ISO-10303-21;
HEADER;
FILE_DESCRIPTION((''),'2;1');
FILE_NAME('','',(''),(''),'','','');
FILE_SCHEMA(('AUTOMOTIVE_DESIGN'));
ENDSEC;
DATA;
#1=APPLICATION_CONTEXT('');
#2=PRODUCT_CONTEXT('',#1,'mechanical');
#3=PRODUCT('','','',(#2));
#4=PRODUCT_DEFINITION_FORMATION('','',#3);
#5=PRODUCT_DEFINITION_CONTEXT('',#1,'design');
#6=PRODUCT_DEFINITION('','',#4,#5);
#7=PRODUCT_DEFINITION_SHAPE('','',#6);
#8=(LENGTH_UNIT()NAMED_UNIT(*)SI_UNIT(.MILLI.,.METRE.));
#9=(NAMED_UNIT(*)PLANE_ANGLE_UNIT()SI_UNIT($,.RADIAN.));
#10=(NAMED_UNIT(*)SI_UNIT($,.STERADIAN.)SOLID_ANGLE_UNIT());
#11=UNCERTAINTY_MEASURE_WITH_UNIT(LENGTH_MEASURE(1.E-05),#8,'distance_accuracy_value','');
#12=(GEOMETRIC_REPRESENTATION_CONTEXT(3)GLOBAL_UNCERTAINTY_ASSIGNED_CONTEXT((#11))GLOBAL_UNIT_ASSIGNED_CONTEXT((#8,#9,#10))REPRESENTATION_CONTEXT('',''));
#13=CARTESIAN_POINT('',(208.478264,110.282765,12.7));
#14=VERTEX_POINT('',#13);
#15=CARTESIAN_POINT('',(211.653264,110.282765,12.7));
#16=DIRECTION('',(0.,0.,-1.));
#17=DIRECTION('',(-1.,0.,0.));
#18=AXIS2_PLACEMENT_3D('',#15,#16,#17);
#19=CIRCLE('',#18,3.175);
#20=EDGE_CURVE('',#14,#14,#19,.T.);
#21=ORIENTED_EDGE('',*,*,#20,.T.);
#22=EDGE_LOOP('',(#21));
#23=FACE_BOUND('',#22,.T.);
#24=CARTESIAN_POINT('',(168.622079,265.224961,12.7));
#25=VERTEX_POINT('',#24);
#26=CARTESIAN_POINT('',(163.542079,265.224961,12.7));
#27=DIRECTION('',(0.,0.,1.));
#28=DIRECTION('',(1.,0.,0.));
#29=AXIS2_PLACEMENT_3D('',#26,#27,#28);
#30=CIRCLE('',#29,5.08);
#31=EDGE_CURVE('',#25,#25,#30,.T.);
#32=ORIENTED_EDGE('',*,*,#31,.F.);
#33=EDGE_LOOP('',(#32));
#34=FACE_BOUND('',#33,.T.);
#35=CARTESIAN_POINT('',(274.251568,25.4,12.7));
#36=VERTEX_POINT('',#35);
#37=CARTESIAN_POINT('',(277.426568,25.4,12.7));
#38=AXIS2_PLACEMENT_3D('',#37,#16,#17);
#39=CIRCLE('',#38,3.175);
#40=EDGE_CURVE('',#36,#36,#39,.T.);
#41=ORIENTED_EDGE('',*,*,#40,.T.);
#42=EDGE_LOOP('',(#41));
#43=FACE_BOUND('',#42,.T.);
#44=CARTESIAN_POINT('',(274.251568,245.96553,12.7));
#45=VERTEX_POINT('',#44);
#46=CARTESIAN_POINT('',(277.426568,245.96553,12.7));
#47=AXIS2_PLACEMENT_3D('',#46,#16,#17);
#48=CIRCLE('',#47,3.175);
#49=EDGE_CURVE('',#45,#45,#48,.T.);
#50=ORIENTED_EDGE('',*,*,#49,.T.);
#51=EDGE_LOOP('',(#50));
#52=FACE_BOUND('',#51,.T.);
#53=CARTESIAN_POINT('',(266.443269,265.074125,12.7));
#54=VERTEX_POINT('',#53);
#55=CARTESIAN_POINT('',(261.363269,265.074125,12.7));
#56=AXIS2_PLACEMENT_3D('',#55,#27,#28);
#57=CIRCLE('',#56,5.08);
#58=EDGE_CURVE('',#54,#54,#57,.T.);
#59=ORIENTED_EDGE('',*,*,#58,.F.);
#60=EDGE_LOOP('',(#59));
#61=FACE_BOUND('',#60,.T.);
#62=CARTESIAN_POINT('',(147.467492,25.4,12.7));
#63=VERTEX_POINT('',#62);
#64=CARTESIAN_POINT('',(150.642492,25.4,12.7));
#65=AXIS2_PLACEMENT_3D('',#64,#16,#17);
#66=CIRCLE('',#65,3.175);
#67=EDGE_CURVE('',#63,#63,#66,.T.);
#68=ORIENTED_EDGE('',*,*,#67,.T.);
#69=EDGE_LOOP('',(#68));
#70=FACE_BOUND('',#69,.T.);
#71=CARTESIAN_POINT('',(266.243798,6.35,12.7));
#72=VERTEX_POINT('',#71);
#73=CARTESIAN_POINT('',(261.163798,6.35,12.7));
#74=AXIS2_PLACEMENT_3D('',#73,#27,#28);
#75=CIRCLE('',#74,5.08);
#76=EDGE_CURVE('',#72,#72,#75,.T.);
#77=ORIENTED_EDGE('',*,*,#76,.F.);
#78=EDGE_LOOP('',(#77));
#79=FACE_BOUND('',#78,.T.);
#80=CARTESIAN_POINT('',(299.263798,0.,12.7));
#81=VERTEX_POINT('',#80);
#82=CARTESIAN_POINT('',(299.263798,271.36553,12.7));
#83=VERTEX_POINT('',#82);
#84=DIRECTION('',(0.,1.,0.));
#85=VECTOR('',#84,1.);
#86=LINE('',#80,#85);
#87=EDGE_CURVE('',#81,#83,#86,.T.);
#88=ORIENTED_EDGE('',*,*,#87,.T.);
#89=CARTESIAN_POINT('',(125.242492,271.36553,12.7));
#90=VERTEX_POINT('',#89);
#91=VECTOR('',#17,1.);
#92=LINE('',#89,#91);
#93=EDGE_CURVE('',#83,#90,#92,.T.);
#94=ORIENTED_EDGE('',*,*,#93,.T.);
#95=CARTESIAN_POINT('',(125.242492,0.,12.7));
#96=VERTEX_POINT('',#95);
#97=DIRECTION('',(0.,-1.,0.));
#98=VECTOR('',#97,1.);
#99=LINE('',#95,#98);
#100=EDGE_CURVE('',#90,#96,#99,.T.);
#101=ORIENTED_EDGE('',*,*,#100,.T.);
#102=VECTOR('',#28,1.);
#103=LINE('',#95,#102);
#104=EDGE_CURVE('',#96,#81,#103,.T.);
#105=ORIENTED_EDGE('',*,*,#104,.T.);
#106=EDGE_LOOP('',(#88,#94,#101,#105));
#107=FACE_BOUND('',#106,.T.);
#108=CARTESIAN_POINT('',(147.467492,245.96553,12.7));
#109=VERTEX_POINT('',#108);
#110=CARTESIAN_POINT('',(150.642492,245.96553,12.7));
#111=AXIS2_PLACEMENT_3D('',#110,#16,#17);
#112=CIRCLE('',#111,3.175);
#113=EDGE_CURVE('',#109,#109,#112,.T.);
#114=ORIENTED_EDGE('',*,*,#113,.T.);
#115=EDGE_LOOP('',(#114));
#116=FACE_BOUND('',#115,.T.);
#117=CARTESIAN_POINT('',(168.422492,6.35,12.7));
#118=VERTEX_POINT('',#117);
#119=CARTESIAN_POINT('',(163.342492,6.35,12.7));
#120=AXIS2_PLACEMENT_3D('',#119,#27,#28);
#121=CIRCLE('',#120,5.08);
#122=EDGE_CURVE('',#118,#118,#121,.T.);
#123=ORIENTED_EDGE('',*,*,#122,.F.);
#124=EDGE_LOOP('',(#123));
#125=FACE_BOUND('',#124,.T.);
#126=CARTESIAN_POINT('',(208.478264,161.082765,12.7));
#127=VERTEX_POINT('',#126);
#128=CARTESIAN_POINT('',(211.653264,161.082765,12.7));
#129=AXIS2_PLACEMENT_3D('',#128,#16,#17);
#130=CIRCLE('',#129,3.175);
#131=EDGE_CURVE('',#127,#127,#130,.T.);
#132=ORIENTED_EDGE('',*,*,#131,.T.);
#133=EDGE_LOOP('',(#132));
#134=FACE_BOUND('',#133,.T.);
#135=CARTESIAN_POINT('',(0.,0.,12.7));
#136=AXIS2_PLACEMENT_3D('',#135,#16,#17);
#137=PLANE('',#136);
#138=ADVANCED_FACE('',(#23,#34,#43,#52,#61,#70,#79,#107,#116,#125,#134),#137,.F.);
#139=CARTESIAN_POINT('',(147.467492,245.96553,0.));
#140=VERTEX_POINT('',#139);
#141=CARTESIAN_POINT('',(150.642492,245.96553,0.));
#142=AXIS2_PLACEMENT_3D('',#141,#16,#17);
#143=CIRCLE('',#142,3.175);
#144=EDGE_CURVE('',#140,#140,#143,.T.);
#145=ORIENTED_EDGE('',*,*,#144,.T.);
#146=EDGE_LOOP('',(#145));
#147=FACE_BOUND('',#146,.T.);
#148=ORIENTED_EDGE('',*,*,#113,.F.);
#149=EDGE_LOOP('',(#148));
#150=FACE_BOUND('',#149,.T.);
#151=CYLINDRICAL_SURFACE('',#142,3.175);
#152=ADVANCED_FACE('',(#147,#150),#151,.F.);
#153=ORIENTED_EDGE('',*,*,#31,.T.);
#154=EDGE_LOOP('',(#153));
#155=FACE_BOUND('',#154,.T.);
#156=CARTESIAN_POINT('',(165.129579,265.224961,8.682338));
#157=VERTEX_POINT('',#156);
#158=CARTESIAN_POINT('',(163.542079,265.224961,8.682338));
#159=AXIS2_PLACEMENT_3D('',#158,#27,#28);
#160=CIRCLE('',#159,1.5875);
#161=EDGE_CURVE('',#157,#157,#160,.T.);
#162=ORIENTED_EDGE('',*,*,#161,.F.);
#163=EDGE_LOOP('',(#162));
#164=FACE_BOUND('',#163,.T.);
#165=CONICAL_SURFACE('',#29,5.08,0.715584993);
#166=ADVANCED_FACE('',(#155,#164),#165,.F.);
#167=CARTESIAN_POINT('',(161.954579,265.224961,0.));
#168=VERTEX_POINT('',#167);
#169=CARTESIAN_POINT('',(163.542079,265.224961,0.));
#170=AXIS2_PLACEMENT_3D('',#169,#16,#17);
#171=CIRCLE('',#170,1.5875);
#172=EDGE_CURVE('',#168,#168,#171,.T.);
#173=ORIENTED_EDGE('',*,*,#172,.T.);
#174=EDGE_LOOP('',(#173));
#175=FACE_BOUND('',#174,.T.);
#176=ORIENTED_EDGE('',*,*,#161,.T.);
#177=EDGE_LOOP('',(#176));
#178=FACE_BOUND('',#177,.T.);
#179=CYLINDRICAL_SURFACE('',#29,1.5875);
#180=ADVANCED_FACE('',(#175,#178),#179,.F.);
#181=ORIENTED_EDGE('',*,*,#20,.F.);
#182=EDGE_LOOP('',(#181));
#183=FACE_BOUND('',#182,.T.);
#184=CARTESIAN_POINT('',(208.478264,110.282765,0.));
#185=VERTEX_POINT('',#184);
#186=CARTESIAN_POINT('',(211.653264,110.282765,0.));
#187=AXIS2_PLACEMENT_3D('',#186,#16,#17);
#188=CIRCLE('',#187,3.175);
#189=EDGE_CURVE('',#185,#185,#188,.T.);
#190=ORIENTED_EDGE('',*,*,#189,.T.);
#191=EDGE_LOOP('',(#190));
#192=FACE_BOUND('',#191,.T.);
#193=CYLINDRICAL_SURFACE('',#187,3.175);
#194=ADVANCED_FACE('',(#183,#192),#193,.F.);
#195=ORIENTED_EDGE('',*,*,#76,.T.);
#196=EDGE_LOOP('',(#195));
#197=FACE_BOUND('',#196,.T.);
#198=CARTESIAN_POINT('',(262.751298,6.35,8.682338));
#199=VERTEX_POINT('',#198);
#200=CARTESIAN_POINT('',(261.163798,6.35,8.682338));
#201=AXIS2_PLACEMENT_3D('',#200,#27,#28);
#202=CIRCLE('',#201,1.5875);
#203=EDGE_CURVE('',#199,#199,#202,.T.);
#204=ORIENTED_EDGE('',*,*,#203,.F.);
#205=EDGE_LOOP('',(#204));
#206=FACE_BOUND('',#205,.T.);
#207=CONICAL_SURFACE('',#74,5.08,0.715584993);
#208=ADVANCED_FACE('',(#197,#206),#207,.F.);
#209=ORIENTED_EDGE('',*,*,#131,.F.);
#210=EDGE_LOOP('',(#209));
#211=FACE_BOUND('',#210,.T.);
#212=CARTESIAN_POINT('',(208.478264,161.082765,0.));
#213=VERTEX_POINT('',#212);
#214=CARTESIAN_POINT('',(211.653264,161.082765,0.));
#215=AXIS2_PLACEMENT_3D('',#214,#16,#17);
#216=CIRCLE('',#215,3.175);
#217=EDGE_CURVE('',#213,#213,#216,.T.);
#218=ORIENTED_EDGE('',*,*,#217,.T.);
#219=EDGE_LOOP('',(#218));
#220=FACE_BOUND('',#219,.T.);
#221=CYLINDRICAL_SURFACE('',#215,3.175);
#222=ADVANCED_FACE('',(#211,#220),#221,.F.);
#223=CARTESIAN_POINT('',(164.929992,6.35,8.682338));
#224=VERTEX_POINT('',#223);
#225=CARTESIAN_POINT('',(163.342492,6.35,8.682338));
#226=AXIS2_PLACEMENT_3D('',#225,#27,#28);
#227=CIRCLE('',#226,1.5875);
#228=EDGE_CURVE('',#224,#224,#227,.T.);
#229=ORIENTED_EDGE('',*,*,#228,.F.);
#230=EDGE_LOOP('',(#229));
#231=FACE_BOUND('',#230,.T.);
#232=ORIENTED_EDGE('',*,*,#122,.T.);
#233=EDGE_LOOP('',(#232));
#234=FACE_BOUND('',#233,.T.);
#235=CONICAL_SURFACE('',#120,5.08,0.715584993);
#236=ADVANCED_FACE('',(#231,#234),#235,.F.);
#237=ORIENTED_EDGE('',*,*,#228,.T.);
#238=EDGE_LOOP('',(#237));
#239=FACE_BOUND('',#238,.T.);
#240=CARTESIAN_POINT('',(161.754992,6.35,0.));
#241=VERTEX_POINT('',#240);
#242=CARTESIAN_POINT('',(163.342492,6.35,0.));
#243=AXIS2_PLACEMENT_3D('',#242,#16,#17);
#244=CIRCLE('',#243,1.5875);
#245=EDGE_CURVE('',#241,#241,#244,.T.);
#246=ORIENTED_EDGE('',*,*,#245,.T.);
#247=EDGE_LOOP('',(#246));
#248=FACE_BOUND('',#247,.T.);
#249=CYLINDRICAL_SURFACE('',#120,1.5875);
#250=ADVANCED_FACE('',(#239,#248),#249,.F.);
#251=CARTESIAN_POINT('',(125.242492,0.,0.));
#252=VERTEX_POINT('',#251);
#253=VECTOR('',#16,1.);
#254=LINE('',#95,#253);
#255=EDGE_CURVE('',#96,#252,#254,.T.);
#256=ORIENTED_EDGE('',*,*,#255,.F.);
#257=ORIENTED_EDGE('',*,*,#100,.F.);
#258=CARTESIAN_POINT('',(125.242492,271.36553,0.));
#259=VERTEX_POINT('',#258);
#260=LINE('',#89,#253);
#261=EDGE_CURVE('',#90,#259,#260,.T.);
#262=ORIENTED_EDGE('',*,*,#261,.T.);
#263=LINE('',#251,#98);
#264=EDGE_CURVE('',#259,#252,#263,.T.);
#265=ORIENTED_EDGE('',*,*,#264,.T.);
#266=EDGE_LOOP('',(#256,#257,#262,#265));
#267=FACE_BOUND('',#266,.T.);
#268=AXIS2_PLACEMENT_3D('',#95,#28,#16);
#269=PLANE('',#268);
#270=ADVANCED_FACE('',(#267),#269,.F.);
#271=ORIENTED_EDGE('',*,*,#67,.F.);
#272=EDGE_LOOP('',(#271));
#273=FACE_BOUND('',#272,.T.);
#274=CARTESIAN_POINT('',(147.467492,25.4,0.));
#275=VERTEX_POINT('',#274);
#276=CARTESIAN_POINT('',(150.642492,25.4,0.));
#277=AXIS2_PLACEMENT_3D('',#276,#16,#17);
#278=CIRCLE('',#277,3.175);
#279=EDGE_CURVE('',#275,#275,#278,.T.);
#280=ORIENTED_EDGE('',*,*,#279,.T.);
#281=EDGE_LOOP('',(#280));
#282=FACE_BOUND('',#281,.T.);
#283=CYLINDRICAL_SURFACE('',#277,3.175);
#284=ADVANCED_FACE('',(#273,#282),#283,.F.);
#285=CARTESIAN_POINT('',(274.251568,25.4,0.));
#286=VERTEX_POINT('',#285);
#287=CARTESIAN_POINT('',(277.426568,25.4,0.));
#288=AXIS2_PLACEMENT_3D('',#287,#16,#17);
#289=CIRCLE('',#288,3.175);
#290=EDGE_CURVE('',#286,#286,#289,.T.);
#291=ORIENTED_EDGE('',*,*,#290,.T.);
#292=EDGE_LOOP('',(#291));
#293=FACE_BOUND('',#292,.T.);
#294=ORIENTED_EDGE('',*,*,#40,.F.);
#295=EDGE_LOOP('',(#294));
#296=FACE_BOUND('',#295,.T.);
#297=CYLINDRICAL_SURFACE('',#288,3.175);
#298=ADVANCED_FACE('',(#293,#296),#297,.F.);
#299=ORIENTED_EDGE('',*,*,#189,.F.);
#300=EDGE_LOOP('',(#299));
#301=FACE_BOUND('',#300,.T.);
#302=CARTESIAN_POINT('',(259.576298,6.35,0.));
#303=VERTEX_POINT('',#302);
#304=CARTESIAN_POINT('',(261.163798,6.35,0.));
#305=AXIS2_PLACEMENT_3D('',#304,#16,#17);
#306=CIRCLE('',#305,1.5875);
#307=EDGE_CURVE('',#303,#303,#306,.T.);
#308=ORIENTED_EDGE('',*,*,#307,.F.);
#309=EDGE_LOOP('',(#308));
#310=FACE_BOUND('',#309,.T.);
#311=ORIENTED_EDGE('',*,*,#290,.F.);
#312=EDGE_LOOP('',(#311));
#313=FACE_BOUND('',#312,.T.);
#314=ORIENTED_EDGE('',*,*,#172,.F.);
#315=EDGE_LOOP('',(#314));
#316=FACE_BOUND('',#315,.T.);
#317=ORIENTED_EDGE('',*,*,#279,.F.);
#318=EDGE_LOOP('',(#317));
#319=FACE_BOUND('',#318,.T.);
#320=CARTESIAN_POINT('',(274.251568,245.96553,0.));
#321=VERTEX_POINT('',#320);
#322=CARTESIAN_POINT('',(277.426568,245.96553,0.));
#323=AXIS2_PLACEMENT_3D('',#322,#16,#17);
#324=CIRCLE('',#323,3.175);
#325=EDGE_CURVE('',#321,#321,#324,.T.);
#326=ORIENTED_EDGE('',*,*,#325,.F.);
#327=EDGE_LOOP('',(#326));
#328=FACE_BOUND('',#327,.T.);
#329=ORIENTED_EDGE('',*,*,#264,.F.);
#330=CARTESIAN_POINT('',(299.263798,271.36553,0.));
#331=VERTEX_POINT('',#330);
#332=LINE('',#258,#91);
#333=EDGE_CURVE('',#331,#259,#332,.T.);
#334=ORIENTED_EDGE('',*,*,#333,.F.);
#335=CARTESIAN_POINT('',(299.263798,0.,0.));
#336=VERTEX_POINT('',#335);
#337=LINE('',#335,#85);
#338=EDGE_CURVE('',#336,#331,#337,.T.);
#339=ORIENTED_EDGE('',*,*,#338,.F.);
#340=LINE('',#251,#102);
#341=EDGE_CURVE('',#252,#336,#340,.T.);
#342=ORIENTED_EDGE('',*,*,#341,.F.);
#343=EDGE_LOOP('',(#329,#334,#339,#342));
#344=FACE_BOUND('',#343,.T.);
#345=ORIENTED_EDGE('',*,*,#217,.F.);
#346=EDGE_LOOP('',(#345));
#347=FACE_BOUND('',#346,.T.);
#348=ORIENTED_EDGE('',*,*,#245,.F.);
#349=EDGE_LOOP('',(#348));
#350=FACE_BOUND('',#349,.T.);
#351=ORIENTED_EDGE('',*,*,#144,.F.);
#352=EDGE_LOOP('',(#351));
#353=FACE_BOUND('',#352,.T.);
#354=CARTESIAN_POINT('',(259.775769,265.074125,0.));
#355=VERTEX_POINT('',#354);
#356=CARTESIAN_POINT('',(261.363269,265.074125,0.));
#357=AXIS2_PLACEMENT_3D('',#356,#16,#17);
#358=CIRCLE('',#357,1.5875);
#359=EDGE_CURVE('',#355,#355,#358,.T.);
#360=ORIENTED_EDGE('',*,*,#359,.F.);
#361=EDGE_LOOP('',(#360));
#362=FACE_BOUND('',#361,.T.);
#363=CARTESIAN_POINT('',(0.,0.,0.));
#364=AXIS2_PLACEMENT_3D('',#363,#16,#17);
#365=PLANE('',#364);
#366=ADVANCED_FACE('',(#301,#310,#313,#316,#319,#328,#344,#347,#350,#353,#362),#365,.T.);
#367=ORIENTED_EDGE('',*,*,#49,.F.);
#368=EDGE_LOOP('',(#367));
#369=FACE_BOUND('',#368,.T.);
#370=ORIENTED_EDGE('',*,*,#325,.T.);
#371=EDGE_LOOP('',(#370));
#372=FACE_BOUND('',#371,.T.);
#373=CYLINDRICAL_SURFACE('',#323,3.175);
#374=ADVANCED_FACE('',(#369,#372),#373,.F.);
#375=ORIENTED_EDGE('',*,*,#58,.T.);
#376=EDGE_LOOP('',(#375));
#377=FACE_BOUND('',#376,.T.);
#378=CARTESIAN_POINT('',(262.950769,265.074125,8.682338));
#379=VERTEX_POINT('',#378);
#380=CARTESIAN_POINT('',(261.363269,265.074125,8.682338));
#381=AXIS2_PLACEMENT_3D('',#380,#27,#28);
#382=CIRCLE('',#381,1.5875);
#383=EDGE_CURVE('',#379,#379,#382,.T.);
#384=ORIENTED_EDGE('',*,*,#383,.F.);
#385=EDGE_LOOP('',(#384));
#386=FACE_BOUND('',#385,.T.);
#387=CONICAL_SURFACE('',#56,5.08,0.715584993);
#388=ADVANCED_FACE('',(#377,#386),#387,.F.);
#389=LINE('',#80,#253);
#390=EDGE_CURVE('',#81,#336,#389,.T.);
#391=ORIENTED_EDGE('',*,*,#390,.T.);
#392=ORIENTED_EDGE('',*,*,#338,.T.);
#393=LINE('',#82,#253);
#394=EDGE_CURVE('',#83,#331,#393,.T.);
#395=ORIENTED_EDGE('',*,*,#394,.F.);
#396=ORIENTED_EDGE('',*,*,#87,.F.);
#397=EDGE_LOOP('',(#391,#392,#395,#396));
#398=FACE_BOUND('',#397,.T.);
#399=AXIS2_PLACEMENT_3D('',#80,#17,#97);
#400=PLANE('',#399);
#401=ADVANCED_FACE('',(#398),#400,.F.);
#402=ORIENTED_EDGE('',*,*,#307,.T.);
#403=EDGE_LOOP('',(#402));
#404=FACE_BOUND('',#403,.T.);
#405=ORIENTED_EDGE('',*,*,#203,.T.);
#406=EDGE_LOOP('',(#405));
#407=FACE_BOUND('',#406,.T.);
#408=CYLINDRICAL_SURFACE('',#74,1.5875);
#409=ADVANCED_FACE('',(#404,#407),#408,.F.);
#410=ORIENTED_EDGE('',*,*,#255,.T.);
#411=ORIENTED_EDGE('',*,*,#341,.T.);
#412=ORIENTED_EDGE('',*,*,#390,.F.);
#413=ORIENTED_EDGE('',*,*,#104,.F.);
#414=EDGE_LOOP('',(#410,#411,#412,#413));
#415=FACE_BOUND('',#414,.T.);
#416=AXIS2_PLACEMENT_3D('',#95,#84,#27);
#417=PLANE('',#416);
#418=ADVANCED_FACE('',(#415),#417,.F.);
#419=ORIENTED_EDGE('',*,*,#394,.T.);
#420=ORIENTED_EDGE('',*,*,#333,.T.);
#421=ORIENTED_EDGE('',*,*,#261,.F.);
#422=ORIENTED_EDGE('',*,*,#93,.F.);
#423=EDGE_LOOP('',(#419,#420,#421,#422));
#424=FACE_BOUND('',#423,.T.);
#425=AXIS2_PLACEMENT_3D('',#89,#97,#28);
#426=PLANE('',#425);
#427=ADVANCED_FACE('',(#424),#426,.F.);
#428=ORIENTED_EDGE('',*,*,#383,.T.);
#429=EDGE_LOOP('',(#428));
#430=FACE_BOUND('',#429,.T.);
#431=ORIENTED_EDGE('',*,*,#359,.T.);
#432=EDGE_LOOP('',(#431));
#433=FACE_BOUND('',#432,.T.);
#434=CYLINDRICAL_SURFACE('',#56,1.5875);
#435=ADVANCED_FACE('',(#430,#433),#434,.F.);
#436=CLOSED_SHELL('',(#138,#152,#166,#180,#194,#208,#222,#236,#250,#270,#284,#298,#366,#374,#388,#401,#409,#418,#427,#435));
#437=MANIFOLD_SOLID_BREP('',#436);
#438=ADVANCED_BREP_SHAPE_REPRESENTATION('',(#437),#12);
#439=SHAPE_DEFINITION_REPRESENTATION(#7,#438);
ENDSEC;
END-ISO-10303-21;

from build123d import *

# Parameters (mm, degrees)
SKETCH1_W                   = 174.021305966
SKETCH1_H                   = 271.365530146
BOSS_EXTRUDE1_DEPTH         = 12.7
F_1_4_0_25_DIAMETER_HOLE1_D = 6.35
HOLE1_D                     = 3.175
HOLE1_DEPTH                 = 31.75
HOLE1_CSINK_D               = 10.16
HOLE1_CSINK_ANGLE           = 82
HOLE1_TIP                   = 0.953866233


with BuildPart() as part:
    # Sketch1 → Boss-Extrude1 (new body)
    with BuildSketch(Plane.XY):
        with Locations((212.253144626, 135.682765073)):
            Rectangle(SKETCH1_W, SKETCH1_H)
    extrude(amount=BOSS_EXTRUDE1_DEPTH)

    # 1/4 (0.25) Diameter Hole1 (through all)
    with Locations(Plane(origin=(0, 0, 0), x_dir=(-1, 0, 0), z_dir=(0, 0, -1))):
        with Locations((-277.426568305, 245.965530146), (-211.653264176, 161.082765073), (-150.642491643, 245.965530146), (-211.653264176, 110.282765073), (-277.426568305, 25.4), (-150.642491643, 25.4)):
            Hole(F_1_4_0_25_DIAMETER_HOLE1_D / 2)

    # Hole1
    with Locations(Plane(origin=(-504.900458932, 135.816741379, 12.7), x_dir=(0, -1, 0), z_dir=(0, 0, 1))):
        with Locations((-129.257383629, 766.263727577), (129.466741379, 668.242950575), (129.466741379, 766.064256541), (-129.408220012, 668.442537903)):
            CounterSinkHole(HOLE1_D / 2, HOLE1_CSINK_D / 2, depth=HOLE1_DEPTH, counter_sink_angle=HOLE1_CSINK_ANGLE)
            with Locations((0, 0, -(HOLE1_DEPTH + HOLE1_TIP / 2))):  # 118° drill point
                Cone(0, HOLE1_D / 2, HOLE1_TIP, mode=Mode.SUBTRACT)


solid = part.part
